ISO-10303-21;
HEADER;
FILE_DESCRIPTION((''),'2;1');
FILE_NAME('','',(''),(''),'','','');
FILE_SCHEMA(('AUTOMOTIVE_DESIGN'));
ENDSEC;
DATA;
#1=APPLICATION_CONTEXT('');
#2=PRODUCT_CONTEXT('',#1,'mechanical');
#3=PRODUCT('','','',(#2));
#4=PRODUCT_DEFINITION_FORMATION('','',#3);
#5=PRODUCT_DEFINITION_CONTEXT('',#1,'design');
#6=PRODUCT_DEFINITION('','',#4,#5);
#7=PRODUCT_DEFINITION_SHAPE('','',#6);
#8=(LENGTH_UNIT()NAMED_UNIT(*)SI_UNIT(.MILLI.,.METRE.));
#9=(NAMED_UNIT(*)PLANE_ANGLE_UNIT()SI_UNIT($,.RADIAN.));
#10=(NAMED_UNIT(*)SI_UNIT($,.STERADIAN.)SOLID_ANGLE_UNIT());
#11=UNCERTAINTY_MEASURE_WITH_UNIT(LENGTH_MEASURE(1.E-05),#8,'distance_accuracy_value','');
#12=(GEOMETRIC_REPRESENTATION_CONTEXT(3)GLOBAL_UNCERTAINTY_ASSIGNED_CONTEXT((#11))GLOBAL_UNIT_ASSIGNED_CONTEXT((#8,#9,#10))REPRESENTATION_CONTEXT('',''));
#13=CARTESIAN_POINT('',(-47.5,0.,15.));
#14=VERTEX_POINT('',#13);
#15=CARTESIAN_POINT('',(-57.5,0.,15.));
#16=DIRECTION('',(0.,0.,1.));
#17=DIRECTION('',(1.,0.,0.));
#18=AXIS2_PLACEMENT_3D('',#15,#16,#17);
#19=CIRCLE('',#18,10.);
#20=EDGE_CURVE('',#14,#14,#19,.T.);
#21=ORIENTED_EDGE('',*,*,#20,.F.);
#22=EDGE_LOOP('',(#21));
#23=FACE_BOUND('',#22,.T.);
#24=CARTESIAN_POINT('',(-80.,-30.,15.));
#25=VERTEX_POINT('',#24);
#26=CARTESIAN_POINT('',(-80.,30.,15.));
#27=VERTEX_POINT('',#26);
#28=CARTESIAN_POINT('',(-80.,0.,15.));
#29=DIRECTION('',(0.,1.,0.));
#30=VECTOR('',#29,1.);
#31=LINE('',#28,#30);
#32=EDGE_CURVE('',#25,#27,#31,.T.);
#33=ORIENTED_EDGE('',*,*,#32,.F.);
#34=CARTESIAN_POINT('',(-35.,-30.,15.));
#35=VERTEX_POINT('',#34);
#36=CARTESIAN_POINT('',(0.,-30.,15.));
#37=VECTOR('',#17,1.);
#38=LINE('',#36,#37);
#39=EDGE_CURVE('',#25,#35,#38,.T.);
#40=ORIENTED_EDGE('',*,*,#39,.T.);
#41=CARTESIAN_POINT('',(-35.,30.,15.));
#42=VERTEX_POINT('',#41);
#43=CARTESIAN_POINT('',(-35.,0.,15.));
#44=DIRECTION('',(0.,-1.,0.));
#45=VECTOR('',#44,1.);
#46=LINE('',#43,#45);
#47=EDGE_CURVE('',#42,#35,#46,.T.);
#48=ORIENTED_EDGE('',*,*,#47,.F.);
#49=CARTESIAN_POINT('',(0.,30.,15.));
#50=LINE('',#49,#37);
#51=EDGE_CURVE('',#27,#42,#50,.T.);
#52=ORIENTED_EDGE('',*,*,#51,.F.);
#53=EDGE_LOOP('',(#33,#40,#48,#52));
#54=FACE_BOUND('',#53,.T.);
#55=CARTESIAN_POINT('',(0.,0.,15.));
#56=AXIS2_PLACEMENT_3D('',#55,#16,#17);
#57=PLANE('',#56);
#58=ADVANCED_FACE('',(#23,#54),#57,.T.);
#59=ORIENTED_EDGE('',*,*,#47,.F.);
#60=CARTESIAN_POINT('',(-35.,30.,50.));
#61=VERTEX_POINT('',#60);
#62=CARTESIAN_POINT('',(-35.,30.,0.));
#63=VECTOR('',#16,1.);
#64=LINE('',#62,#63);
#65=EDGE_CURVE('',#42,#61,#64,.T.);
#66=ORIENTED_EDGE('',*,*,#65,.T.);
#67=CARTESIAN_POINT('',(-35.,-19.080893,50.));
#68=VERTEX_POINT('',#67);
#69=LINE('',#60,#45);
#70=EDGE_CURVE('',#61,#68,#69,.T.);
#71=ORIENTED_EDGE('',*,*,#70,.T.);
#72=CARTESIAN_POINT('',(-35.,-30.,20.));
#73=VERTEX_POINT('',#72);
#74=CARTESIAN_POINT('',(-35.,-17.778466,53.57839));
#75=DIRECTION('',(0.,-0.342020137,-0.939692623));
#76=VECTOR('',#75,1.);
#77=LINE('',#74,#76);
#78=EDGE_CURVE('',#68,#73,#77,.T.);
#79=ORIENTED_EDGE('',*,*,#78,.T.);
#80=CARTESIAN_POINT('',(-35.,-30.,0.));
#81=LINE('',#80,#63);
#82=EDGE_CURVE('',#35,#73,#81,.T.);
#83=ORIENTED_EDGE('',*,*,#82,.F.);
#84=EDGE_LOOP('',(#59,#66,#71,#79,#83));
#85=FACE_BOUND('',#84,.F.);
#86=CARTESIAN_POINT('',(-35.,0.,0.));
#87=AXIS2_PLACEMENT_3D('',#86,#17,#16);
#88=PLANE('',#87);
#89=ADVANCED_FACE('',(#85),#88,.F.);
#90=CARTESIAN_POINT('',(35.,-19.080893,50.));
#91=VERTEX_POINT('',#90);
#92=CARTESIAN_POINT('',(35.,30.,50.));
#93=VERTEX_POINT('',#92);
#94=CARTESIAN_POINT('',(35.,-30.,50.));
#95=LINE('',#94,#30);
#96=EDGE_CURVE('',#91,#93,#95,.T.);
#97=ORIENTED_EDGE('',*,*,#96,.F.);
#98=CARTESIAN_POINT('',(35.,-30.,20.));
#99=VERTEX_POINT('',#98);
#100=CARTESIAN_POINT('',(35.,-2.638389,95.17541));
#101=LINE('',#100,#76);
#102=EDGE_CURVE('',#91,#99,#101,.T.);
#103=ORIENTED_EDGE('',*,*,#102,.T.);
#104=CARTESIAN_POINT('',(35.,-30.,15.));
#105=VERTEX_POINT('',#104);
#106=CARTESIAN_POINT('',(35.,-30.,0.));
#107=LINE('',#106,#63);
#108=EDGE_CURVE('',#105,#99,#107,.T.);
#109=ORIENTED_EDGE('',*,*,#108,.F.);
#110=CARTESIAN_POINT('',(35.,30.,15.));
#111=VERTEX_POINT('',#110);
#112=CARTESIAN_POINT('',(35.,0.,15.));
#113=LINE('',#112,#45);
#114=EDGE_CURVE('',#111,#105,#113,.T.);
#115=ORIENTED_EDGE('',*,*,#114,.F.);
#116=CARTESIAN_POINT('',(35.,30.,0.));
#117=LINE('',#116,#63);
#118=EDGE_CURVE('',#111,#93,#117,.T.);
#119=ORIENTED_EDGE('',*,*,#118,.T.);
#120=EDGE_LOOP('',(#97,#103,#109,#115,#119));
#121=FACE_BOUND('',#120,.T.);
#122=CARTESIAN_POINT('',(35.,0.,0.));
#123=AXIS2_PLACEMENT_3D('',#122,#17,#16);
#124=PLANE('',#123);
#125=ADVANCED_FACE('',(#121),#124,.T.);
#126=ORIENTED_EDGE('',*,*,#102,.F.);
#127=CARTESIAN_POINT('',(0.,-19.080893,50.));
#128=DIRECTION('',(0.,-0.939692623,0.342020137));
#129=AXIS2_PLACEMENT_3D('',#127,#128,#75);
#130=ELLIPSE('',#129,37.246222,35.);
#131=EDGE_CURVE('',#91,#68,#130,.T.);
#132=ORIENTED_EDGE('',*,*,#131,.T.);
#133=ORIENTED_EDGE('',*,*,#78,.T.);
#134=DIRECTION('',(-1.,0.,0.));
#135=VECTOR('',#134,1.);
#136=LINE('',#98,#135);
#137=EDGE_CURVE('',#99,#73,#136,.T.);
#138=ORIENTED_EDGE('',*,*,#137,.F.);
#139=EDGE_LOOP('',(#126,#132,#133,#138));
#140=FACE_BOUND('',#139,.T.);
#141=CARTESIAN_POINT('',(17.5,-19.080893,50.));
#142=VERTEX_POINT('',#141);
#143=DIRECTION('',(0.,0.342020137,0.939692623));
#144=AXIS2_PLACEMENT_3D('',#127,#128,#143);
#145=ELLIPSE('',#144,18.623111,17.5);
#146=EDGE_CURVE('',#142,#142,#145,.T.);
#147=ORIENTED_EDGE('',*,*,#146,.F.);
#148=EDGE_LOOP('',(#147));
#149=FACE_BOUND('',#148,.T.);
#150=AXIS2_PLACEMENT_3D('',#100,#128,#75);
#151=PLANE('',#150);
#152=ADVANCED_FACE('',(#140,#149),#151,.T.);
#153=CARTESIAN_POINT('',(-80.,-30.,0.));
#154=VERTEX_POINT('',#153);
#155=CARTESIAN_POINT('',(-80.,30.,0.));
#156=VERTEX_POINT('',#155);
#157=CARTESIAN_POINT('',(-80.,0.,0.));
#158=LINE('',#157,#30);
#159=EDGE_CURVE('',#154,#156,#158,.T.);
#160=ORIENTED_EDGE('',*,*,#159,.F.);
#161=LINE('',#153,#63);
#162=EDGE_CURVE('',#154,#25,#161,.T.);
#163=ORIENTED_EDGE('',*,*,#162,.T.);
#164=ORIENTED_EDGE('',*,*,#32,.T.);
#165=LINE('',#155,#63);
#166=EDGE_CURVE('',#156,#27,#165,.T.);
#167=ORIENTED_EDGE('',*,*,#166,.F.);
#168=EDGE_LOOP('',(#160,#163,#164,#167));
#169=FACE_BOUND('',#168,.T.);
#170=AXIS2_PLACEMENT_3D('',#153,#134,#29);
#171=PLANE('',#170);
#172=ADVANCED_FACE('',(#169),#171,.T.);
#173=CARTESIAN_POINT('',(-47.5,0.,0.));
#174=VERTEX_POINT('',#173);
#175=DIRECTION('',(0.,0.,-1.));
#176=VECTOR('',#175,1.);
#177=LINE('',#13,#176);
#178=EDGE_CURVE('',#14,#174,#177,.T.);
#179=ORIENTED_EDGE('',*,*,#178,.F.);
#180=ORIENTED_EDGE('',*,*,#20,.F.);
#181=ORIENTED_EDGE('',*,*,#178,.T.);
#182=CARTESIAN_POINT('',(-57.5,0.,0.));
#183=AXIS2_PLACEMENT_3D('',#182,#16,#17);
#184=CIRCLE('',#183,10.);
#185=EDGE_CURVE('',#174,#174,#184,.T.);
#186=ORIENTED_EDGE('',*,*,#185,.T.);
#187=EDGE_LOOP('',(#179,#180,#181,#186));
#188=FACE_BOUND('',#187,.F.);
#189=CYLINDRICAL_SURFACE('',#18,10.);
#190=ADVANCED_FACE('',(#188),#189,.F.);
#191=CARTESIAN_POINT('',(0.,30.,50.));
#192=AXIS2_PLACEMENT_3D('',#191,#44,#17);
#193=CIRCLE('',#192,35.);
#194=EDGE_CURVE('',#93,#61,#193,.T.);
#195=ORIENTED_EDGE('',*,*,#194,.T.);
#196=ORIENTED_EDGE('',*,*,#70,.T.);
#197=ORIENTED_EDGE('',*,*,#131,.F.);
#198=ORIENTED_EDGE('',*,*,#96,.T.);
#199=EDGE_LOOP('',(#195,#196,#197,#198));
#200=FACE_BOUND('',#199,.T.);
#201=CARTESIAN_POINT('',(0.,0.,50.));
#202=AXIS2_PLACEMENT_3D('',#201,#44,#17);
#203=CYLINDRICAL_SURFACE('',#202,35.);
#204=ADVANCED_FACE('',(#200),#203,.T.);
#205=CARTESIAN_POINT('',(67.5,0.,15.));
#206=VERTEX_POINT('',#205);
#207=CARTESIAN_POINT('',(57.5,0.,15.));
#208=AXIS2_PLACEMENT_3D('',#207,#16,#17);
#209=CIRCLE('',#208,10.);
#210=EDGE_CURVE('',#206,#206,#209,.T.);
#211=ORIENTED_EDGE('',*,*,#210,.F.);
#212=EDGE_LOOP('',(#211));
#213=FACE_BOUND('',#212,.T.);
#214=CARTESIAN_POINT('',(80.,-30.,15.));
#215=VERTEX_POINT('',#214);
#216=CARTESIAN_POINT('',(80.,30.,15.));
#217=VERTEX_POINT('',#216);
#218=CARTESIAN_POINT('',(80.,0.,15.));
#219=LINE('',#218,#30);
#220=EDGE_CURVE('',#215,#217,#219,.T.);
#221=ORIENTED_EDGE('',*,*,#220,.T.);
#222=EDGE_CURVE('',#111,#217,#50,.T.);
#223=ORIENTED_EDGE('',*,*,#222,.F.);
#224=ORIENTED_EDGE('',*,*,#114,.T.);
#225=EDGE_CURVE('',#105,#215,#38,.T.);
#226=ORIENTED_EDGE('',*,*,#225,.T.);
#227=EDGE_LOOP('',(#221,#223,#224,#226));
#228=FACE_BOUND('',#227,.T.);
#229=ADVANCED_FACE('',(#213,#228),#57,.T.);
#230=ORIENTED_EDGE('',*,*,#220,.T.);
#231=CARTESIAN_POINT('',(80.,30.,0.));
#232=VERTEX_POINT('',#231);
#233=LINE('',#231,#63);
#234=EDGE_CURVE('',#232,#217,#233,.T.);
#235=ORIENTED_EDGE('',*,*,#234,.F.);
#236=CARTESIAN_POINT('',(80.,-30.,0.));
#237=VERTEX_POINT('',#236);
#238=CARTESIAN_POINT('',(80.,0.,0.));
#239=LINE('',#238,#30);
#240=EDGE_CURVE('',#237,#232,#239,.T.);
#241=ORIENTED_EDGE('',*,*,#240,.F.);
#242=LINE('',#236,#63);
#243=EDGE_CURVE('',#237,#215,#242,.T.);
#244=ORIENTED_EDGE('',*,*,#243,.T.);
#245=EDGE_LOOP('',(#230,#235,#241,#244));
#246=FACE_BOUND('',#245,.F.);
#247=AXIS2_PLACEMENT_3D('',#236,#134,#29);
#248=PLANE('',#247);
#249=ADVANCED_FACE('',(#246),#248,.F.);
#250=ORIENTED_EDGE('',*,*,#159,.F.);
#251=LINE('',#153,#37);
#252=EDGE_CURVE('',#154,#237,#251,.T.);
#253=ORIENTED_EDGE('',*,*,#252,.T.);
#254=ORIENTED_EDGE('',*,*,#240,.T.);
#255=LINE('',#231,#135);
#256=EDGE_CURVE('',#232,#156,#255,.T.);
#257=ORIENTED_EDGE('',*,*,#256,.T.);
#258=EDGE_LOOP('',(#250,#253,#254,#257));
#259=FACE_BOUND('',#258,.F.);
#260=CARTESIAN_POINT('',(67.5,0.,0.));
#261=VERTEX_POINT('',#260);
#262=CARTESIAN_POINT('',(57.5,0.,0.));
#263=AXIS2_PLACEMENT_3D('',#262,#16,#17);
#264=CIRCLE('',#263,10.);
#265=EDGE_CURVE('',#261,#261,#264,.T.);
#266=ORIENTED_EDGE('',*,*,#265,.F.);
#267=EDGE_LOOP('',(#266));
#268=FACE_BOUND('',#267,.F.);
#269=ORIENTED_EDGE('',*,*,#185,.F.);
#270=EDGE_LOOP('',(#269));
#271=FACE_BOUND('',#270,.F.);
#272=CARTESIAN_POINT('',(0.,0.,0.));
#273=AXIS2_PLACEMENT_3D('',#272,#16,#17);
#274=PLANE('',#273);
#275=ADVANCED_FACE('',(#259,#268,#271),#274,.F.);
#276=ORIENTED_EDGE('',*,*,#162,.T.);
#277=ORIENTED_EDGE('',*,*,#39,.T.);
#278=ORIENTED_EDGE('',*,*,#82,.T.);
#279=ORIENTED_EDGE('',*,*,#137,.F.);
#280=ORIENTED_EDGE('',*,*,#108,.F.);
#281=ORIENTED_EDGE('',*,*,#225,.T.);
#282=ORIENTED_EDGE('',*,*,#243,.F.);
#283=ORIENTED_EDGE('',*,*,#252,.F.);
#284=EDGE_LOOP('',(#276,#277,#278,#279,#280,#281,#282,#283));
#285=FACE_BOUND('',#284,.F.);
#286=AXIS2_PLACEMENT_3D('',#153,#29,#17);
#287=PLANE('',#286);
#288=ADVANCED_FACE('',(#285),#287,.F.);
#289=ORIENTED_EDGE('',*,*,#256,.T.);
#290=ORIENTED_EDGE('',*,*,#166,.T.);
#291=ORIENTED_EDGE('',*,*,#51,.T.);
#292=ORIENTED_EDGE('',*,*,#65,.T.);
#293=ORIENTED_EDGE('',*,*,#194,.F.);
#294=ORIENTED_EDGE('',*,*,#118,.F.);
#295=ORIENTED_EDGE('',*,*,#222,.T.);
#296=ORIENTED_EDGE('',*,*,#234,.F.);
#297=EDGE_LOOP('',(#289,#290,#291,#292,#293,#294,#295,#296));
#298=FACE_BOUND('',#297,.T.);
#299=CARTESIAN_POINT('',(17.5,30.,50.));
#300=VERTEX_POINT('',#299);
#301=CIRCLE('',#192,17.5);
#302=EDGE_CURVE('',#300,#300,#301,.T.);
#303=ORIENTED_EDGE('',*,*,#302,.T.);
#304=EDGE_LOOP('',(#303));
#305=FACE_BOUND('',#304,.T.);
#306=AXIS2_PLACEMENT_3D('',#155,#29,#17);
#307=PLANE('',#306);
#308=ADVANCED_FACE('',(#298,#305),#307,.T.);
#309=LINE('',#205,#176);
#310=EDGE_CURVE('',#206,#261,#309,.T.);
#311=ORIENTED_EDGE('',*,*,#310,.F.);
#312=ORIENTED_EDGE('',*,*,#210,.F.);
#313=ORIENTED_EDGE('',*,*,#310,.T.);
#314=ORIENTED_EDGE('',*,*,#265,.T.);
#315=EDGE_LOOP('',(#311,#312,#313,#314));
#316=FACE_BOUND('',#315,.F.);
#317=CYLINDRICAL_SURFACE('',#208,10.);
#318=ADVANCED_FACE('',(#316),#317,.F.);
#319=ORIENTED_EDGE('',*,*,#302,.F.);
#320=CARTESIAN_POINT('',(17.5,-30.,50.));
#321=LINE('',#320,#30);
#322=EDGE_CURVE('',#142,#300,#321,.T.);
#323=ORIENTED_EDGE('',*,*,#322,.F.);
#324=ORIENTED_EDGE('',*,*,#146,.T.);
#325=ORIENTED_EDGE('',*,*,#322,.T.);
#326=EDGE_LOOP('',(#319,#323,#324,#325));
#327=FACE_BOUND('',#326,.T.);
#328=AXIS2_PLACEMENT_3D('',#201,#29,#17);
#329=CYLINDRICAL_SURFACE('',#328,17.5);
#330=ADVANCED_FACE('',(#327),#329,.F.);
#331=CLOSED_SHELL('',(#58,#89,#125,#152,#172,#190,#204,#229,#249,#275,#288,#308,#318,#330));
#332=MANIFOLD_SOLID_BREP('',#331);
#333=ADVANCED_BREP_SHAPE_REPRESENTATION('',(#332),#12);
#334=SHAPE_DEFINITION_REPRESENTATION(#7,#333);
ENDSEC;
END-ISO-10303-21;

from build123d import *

# Parameters (mm, degrees)
SKETCH_W        = 160
SKETCH_H        = 60
PAD_DEPTH       = 15
SKETCH001_R     = 10
POCKET_DEPTH    = 15.001
SKETCH002_R     = 17.5
PAD001_DEPTH    = 30
POCKET001_DEPTH = 115.001


with BuildPart() as pocket:
    # Sketch → Pad (new body)
    with BuildSketch(Plane.XY):
        Rectangle(SKETCH_W, SKETCH_H)
    extrude(amount=PAD_DEPTH)

    # Sketch001 → Pocket (cut, through all)
    with BuildSketch(Plane.XY.offset(15)):
        with Locations((-57.5, 0)):
            Circle(SKETCH001_R)
        with Locations((57.5, 0)):
            Circle(SKETCH001_R)
    extrude(amount=-POCKET_DEPTH, mode=Mode.SUBTRACT)


with BuildPart() as pocket001:
    # Sketch002 → Pad001 (new body, symmetric)
    with BuildSketch(Plane.XZ):
        with BuildLine():
            ThreePointArc((35, 50), (0, 85), (-35, 50))
            Line((-35, 0), (-35, 50))
            Line((-35, 0), (35, 0))
            Line((35, 0), (35, 50))
        make_face()
        with Locations((0, 50)):
            Circle(SKETCH002_R, mode=Mode.SUBTRACT)
    extrude(amount=PAD001_DEPTH, both=True)

    # Fusion: union Pocket
    add(pocket.part)

    # Sketch003 → Pocket001 (cut, through all)
    with BuildSketch(Plane.YZ.offset(35)):
        Polygon((-30, 15), (-30, 95), (-2.638389, 95.17541), (-30, 20), align=None)
    extrude(amount=-POCKET001_DEPTH, mode=Mode.SUBTRACT)


solid = pocket001.part
